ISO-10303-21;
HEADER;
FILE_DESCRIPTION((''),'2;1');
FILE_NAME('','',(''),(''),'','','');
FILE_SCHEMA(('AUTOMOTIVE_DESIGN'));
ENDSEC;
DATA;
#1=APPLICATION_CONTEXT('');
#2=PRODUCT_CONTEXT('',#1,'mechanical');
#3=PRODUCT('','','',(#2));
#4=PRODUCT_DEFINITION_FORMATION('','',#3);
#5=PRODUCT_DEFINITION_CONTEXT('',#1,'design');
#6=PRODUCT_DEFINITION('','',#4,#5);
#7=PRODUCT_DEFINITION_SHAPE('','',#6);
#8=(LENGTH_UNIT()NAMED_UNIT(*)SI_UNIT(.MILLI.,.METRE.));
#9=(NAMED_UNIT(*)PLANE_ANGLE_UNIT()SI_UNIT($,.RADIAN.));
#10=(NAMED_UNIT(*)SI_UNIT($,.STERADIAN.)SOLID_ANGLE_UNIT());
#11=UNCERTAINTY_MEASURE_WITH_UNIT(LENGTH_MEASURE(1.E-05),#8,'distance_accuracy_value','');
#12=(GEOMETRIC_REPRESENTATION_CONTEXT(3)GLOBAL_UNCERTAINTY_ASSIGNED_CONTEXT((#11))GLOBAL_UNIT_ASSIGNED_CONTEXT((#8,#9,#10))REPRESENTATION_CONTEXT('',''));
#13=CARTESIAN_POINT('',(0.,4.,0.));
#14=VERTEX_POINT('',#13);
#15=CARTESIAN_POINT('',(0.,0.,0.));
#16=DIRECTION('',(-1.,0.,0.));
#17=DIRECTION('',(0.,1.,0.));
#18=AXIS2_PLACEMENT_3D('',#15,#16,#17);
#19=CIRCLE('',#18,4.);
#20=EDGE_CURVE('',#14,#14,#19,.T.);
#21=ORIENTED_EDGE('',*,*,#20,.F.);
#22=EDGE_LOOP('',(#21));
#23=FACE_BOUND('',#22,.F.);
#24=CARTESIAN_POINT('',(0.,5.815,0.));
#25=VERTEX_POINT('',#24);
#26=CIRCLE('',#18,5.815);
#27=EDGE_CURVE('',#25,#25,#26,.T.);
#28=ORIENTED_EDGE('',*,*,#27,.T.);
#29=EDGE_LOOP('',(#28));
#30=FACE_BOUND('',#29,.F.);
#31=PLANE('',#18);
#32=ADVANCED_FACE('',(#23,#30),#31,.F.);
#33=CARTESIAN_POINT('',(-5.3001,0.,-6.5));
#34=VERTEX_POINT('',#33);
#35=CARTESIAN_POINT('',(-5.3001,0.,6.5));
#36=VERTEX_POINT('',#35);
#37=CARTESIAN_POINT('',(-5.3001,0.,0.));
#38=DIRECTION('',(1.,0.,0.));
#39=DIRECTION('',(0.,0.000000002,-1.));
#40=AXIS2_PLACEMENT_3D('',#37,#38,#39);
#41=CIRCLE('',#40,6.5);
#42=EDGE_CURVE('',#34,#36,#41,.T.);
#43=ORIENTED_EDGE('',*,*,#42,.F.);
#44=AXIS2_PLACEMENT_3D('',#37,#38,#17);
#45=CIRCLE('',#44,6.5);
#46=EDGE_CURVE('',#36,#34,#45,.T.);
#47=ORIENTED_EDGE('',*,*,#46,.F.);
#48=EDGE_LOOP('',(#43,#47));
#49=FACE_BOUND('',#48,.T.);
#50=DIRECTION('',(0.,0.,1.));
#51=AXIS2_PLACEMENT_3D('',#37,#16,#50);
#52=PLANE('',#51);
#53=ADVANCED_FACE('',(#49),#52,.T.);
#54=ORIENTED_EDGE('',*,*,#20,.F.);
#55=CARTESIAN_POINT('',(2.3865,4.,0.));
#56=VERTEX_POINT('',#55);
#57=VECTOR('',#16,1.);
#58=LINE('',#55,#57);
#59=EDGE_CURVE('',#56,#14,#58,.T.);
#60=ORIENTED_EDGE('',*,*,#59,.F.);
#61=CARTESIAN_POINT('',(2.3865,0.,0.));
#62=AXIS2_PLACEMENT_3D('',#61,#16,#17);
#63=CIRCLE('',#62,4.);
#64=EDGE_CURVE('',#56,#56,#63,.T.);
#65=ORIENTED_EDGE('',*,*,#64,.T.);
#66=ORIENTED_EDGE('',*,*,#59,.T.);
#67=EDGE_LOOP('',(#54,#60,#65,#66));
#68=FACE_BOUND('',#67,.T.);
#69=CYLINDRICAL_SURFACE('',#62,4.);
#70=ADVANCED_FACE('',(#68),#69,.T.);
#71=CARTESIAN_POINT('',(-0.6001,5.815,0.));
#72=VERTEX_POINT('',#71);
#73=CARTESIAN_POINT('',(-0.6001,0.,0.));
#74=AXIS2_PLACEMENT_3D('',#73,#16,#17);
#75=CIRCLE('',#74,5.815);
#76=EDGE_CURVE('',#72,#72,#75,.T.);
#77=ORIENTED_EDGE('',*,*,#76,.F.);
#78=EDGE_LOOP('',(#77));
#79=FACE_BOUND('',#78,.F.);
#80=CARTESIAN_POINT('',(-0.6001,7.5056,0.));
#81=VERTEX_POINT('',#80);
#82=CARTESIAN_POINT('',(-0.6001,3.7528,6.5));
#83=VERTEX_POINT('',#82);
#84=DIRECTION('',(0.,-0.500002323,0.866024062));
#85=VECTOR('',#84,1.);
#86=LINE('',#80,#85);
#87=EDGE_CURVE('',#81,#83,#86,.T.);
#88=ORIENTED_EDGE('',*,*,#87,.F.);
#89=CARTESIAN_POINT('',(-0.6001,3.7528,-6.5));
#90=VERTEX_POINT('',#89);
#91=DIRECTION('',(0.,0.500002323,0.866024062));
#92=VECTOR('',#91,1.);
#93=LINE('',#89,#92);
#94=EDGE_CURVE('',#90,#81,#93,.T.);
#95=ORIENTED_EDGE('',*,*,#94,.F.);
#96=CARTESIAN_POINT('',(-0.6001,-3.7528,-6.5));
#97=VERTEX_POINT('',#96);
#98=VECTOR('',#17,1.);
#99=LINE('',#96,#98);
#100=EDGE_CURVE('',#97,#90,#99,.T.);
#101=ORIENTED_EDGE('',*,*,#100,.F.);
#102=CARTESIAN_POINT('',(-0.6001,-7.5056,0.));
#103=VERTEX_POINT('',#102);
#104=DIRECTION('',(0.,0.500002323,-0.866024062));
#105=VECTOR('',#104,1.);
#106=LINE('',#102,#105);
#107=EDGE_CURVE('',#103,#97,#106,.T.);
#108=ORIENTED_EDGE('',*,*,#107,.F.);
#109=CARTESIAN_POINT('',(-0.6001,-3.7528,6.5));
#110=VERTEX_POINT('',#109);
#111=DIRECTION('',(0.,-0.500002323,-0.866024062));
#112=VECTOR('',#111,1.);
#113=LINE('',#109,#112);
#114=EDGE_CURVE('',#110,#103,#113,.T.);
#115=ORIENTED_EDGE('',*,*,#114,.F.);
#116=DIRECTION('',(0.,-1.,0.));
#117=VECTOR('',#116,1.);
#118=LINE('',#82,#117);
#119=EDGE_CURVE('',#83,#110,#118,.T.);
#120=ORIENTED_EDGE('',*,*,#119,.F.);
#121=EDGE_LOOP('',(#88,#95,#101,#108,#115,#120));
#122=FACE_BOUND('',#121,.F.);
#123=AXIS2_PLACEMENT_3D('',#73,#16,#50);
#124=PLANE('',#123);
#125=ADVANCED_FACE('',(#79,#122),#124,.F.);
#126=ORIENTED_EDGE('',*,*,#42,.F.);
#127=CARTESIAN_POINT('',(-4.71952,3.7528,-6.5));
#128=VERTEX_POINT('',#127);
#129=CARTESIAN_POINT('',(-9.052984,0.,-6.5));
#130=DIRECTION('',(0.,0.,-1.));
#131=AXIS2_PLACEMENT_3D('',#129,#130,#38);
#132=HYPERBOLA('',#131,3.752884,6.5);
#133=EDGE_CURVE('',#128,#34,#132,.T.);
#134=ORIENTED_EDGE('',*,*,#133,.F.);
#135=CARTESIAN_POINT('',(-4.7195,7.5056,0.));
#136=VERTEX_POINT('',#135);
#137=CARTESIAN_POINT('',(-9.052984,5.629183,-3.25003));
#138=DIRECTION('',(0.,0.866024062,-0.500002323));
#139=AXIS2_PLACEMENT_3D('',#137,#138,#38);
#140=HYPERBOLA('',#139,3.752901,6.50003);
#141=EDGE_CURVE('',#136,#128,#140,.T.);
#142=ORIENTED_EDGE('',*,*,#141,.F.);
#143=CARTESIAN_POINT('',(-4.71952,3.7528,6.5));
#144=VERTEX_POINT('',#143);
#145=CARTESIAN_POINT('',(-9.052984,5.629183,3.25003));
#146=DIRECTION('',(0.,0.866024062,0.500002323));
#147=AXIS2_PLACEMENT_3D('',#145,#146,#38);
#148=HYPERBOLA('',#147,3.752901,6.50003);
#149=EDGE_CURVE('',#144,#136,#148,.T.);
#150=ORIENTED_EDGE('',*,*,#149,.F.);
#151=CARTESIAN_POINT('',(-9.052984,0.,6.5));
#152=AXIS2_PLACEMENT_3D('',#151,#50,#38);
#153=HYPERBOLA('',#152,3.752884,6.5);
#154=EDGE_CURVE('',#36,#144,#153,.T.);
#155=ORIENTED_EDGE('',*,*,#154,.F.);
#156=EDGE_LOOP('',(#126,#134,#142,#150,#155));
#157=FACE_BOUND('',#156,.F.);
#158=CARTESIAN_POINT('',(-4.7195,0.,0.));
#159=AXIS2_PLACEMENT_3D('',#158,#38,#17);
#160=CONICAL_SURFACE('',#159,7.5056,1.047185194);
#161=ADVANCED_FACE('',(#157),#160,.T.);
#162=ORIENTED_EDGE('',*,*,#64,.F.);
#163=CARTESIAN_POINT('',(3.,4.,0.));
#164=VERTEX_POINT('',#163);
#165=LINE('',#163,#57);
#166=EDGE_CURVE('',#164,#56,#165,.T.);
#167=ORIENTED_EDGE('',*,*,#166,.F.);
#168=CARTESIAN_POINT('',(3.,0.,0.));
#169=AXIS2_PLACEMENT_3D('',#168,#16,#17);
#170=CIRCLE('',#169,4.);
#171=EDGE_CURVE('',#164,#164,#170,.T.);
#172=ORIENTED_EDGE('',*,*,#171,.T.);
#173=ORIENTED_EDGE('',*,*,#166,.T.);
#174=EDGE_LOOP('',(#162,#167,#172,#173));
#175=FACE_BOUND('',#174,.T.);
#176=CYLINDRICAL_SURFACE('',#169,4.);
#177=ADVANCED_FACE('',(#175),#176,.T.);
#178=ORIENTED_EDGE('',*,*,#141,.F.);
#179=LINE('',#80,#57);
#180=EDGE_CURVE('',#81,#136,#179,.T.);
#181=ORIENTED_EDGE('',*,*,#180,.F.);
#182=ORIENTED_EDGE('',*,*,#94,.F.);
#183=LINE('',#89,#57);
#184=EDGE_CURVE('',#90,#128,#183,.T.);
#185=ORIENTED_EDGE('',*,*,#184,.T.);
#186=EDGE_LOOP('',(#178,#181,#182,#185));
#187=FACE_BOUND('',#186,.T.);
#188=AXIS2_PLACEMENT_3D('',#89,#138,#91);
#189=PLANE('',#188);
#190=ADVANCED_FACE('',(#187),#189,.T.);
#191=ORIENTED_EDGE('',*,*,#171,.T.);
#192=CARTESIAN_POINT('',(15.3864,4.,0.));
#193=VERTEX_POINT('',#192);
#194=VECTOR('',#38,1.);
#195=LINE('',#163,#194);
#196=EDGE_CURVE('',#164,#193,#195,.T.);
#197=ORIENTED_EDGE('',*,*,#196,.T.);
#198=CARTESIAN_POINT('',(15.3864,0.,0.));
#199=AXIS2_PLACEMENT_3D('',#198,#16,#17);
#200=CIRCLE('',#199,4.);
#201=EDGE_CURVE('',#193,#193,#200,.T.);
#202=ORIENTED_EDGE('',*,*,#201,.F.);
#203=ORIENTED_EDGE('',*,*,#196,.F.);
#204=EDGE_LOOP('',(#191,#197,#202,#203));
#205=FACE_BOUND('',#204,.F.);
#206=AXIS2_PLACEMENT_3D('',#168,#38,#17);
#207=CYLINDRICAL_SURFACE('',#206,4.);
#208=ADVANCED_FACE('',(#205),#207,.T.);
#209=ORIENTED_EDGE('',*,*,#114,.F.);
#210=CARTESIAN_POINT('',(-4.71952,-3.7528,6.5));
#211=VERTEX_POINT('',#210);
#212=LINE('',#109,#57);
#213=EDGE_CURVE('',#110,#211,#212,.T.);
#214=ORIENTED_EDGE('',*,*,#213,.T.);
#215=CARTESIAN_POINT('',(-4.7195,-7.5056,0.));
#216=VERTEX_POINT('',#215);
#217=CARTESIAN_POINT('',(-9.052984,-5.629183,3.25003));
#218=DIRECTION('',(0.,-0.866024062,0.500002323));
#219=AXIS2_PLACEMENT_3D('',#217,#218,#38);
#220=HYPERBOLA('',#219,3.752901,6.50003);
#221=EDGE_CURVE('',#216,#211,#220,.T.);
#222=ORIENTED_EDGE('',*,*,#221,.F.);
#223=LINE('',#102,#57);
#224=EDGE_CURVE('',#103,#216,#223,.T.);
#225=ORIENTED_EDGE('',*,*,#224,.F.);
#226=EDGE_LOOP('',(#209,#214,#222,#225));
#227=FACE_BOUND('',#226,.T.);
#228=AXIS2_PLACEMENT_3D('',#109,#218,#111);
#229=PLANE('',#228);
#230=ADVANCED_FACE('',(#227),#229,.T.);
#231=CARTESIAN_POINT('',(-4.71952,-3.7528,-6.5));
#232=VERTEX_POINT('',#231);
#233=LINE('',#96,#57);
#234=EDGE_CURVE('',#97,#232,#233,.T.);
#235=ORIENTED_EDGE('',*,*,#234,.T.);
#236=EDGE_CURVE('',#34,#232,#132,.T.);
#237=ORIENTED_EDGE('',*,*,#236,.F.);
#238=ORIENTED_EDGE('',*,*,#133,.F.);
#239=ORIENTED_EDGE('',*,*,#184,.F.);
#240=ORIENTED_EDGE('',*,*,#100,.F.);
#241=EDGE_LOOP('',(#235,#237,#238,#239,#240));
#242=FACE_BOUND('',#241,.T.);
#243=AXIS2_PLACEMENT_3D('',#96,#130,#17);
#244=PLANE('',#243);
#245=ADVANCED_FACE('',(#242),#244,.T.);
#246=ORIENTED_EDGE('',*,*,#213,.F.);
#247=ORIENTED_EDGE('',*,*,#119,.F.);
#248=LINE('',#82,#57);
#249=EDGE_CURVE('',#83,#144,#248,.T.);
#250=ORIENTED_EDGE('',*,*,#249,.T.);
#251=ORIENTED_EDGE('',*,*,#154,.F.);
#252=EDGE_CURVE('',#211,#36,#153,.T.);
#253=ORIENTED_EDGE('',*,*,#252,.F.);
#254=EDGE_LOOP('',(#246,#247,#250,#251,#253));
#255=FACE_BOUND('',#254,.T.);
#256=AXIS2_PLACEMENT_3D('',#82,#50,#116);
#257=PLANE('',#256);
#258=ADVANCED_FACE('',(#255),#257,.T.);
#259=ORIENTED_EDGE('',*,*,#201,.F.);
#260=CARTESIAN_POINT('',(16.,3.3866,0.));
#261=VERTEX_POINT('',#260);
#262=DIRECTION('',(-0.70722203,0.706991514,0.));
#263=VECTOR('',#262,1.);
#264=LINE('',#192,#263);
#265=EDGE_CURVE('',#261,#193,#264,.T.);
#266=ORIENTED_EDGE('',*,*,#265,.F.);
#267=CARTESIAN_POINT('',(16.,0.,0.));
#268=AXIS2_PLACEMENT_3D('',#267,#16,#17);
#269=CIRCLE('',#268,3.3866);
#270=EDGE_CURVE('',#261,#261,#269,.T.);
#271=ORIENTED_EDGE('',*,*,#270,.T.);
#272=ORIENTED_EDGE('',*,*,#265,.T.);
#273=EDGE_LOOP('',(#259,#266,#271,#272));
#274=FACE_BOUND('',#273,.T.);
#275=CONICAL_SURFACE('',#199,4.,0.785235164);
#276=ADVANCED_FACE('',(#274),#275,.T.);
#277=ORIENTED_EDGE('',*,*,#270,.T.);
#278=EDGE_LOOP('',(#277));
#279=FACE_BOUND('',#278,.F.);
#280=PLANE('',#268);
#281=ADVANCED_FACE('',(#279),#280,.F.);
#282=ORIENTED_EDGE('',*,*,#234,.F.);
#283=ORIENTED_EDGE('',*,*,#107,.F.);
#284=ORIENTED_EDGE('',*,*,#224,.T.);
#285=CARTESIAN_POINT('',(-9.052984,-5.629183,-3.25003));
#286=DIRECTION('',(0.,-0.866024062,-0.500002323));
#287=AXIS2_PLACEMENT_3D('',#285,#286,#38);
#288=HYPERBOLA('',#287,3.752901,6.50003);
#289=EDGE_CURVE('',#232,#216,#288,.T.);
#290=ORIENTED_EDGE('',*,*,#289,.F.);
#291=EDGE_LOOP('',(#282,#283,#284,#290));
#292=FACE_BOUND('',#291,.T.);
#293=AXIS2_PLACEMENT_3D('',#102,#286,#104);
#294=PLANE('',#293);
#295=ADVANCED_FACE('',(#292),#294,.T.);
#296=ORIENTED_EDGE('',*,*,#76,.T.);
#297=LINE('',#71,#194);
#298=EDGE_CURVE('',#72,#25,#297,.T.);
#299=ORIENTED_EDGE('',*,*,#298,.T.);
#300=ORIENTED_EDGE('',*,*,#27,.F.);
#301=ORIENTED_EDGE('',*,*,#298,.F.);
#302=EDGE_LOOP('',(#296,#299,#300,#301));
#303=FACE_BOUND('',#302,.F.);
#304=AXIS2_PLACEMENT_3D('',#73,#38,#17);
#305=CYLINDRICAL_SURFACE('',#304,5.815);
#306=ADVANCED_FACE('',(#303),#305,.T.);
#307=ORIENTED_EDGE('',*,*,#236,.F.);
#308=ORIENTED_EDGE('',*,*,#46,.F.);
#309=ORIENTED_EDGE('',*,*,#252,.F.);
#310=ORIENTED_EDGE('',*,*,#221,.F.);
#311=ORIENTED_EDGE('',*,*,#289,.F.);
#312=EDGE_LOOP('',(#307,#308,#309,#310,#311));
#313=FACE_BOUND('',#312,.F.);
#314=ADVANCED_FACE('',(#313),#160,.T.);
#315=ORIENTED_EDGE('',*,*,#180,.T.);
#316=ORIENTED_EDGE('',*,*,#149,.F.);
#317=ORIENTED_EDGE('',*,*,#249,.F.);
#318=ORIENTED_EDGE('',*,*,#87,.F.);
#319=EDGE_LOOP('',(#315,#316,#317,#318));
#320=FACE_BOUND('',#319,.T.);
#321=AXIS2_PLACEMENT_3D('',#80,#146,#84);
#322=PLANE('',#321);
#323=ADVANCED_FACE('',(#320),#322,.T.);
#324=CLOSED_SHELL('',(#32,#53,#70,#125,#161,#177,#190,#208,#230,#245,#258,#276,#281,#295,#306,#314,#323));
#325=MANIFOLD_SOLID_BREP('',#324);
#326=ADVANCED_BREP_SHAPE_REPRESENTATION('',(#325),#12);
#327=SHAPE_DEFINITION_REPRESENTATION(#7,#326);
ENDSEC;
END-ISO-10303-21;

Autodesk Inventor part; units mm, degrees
ref_plane "YZ Plane" through (0, 0, 0) normal (1, 0, 0) x (0, 1, 0)
ref_plane "XZ Plane" through (0, 0, 0) normal (0, 1, 0) x (-1, 0, 0)
sketch "Sketch1" plane through (0, 0, 0) normal (0, 0, 1) x (1, 0, 0)
  line L0 (0, 5.815) -> (0, 4)
  line L1 (3, 4) -> (16, 4)
  line L2 (16, 4) -> (16, 0)
  line L3 (16, 0) -> (-0.6001, 0)
  line L4 (-3.9201, 0) -> (19.32, 0) projected
  line L5 (-0.6001, 0) -> (-0.6001, 5.815)
  line L6 (-0.6001, 5.815) -> (0, 5.815)
  line L7 (3, 4) -> (2.3865, 4)
  line L8 (2.3865, 4) -> (0, 4)
  line L9 (0, -1.163) -> (0, 6.978) projected
  dimension "d0" = 16
  dimension "d1" = 13
  dimension "d2" = 8
  dimension "d9" = 0.6001
  dimension "d10" = 11.63
  dimension "d13" = 0.6136
  dimension "d14" = 8
revolve "Body" add sketch "Sketch1" angle 360 about axis through (16, 0, 0) along (-1, 0, 0)
sketch "Sketch2" plane through (-0.6001, 0, 0) normal (-1, 0, 0) x (0, 0, 1)
  line L0 (0, 7.5056) -> (6.5, 3.7528)
  line L1 (6.5, 3.7528) -> (6.5, -3.7528)
  line L2 (6.5, -3.7528) -> (0, -7.5056)
  line L3 (0, -7.5056) -> (-6.5, -3.7528)
  line L4 (-6.5, -3.7528) -> (-6.5, 3.7528)
  line L5 (-6.5, 3.7528) -> (0, 7.5056)
  point P0 (0, 0)
  point P1 (0, 0)
  dimension "d11" = 13
extrude "Head" add sketch "Sketch2" along normal blind 4.7
sketch "Sketch4" plane through (0, 0, 0) normal (0, 0, 1) x (1, 0, 0)
  line L0 (-5.3001, 6.5) -> (-5.3001, 7.5056)
  line L1 (-5.3001, 7.5056) -> (-4.7195, 7.5056)
  line L2 (-4.7195, 7.5056) -> (-5.3001, 6.5)
  line L3 (-6.2401, 0) -> (0.3399, 0) projected
  line L4 (-0.6001, 7.5056) -> (-5.3001, 7.5056) projected
  line L5 (-5.3001, 3.7528) -> (-5.3001, 7.5056) projected
  dimension "d5" = 30
  dimension "d19" = 13
revolve "Chamfer1" cut sketch "Sketch4" angle 360 about axis through (-10, 0, 0) along (1, 0, 0)
thread "Thread" size "M8x1" class "6g" standard "ISO Metric profile" length 13
chamfer "Chamfer2" distance 0.6134 distance2 0.6136 1 edges at (16, -4, 0) measured on face at (16, -0.6859, -0.8072)
ref_plane "Work Plane1" through (1.525, 0, 0) normal (0, 0, 1) x (1, 0, 0)
equation "\"d0\" = NLG"
equation "\"d1\" = GEL"
equation "\"d2\" = GD"
equation "\"d10\" = SD2"
equation "\"d14\" = BDM"
equation "\"d11\" = SW"
equation "\"d3\" = KOH - SD"
equation "\"d5\" = ANG1"
equation "\"d19\" = SW0"
equation "\"d15\" = GEL"
equation "\"d6\" = -0.5 * SPD + 0.5 * GD"
equation "\"NLG\" = 16"
equation "\"GD\" = NND"
equation "\"BDM\" = NND"
equation "\"KOH\" = 5.3"
equation "\"GEL\" = 13"
equation "\"SW\" = 13"
equation "\"SW0\" = 13"
equation "\"SPD\" = NND - 1.2269 * PTC"
equation "\"SD2\" = 11.63"
equation "\"SD\" = 0.6"
equation "\"ANG1\" = 30deg"
equation "\"GAL\" = 0.61345 * PTC"
equation "\"GUL\" = 0.61345 * PTC"
equation "\"RR\" = 0.4"
equation "\"GD1\" = THREADDIA - 1.2269 * PTC"
equation "\"THREADDIA\" = 8"
equation "\"SDH\" = SD2"
equation "\"TOA\" = 30deg"
equation "\"PTC\" = 1"
equation "\"NND\" = 8"
equation "\"E0\" = 1.155 * SW"
properties part number "ISO 8676 - M8 x 1 x 16(3)" material "Stainless Steel, 440C"
